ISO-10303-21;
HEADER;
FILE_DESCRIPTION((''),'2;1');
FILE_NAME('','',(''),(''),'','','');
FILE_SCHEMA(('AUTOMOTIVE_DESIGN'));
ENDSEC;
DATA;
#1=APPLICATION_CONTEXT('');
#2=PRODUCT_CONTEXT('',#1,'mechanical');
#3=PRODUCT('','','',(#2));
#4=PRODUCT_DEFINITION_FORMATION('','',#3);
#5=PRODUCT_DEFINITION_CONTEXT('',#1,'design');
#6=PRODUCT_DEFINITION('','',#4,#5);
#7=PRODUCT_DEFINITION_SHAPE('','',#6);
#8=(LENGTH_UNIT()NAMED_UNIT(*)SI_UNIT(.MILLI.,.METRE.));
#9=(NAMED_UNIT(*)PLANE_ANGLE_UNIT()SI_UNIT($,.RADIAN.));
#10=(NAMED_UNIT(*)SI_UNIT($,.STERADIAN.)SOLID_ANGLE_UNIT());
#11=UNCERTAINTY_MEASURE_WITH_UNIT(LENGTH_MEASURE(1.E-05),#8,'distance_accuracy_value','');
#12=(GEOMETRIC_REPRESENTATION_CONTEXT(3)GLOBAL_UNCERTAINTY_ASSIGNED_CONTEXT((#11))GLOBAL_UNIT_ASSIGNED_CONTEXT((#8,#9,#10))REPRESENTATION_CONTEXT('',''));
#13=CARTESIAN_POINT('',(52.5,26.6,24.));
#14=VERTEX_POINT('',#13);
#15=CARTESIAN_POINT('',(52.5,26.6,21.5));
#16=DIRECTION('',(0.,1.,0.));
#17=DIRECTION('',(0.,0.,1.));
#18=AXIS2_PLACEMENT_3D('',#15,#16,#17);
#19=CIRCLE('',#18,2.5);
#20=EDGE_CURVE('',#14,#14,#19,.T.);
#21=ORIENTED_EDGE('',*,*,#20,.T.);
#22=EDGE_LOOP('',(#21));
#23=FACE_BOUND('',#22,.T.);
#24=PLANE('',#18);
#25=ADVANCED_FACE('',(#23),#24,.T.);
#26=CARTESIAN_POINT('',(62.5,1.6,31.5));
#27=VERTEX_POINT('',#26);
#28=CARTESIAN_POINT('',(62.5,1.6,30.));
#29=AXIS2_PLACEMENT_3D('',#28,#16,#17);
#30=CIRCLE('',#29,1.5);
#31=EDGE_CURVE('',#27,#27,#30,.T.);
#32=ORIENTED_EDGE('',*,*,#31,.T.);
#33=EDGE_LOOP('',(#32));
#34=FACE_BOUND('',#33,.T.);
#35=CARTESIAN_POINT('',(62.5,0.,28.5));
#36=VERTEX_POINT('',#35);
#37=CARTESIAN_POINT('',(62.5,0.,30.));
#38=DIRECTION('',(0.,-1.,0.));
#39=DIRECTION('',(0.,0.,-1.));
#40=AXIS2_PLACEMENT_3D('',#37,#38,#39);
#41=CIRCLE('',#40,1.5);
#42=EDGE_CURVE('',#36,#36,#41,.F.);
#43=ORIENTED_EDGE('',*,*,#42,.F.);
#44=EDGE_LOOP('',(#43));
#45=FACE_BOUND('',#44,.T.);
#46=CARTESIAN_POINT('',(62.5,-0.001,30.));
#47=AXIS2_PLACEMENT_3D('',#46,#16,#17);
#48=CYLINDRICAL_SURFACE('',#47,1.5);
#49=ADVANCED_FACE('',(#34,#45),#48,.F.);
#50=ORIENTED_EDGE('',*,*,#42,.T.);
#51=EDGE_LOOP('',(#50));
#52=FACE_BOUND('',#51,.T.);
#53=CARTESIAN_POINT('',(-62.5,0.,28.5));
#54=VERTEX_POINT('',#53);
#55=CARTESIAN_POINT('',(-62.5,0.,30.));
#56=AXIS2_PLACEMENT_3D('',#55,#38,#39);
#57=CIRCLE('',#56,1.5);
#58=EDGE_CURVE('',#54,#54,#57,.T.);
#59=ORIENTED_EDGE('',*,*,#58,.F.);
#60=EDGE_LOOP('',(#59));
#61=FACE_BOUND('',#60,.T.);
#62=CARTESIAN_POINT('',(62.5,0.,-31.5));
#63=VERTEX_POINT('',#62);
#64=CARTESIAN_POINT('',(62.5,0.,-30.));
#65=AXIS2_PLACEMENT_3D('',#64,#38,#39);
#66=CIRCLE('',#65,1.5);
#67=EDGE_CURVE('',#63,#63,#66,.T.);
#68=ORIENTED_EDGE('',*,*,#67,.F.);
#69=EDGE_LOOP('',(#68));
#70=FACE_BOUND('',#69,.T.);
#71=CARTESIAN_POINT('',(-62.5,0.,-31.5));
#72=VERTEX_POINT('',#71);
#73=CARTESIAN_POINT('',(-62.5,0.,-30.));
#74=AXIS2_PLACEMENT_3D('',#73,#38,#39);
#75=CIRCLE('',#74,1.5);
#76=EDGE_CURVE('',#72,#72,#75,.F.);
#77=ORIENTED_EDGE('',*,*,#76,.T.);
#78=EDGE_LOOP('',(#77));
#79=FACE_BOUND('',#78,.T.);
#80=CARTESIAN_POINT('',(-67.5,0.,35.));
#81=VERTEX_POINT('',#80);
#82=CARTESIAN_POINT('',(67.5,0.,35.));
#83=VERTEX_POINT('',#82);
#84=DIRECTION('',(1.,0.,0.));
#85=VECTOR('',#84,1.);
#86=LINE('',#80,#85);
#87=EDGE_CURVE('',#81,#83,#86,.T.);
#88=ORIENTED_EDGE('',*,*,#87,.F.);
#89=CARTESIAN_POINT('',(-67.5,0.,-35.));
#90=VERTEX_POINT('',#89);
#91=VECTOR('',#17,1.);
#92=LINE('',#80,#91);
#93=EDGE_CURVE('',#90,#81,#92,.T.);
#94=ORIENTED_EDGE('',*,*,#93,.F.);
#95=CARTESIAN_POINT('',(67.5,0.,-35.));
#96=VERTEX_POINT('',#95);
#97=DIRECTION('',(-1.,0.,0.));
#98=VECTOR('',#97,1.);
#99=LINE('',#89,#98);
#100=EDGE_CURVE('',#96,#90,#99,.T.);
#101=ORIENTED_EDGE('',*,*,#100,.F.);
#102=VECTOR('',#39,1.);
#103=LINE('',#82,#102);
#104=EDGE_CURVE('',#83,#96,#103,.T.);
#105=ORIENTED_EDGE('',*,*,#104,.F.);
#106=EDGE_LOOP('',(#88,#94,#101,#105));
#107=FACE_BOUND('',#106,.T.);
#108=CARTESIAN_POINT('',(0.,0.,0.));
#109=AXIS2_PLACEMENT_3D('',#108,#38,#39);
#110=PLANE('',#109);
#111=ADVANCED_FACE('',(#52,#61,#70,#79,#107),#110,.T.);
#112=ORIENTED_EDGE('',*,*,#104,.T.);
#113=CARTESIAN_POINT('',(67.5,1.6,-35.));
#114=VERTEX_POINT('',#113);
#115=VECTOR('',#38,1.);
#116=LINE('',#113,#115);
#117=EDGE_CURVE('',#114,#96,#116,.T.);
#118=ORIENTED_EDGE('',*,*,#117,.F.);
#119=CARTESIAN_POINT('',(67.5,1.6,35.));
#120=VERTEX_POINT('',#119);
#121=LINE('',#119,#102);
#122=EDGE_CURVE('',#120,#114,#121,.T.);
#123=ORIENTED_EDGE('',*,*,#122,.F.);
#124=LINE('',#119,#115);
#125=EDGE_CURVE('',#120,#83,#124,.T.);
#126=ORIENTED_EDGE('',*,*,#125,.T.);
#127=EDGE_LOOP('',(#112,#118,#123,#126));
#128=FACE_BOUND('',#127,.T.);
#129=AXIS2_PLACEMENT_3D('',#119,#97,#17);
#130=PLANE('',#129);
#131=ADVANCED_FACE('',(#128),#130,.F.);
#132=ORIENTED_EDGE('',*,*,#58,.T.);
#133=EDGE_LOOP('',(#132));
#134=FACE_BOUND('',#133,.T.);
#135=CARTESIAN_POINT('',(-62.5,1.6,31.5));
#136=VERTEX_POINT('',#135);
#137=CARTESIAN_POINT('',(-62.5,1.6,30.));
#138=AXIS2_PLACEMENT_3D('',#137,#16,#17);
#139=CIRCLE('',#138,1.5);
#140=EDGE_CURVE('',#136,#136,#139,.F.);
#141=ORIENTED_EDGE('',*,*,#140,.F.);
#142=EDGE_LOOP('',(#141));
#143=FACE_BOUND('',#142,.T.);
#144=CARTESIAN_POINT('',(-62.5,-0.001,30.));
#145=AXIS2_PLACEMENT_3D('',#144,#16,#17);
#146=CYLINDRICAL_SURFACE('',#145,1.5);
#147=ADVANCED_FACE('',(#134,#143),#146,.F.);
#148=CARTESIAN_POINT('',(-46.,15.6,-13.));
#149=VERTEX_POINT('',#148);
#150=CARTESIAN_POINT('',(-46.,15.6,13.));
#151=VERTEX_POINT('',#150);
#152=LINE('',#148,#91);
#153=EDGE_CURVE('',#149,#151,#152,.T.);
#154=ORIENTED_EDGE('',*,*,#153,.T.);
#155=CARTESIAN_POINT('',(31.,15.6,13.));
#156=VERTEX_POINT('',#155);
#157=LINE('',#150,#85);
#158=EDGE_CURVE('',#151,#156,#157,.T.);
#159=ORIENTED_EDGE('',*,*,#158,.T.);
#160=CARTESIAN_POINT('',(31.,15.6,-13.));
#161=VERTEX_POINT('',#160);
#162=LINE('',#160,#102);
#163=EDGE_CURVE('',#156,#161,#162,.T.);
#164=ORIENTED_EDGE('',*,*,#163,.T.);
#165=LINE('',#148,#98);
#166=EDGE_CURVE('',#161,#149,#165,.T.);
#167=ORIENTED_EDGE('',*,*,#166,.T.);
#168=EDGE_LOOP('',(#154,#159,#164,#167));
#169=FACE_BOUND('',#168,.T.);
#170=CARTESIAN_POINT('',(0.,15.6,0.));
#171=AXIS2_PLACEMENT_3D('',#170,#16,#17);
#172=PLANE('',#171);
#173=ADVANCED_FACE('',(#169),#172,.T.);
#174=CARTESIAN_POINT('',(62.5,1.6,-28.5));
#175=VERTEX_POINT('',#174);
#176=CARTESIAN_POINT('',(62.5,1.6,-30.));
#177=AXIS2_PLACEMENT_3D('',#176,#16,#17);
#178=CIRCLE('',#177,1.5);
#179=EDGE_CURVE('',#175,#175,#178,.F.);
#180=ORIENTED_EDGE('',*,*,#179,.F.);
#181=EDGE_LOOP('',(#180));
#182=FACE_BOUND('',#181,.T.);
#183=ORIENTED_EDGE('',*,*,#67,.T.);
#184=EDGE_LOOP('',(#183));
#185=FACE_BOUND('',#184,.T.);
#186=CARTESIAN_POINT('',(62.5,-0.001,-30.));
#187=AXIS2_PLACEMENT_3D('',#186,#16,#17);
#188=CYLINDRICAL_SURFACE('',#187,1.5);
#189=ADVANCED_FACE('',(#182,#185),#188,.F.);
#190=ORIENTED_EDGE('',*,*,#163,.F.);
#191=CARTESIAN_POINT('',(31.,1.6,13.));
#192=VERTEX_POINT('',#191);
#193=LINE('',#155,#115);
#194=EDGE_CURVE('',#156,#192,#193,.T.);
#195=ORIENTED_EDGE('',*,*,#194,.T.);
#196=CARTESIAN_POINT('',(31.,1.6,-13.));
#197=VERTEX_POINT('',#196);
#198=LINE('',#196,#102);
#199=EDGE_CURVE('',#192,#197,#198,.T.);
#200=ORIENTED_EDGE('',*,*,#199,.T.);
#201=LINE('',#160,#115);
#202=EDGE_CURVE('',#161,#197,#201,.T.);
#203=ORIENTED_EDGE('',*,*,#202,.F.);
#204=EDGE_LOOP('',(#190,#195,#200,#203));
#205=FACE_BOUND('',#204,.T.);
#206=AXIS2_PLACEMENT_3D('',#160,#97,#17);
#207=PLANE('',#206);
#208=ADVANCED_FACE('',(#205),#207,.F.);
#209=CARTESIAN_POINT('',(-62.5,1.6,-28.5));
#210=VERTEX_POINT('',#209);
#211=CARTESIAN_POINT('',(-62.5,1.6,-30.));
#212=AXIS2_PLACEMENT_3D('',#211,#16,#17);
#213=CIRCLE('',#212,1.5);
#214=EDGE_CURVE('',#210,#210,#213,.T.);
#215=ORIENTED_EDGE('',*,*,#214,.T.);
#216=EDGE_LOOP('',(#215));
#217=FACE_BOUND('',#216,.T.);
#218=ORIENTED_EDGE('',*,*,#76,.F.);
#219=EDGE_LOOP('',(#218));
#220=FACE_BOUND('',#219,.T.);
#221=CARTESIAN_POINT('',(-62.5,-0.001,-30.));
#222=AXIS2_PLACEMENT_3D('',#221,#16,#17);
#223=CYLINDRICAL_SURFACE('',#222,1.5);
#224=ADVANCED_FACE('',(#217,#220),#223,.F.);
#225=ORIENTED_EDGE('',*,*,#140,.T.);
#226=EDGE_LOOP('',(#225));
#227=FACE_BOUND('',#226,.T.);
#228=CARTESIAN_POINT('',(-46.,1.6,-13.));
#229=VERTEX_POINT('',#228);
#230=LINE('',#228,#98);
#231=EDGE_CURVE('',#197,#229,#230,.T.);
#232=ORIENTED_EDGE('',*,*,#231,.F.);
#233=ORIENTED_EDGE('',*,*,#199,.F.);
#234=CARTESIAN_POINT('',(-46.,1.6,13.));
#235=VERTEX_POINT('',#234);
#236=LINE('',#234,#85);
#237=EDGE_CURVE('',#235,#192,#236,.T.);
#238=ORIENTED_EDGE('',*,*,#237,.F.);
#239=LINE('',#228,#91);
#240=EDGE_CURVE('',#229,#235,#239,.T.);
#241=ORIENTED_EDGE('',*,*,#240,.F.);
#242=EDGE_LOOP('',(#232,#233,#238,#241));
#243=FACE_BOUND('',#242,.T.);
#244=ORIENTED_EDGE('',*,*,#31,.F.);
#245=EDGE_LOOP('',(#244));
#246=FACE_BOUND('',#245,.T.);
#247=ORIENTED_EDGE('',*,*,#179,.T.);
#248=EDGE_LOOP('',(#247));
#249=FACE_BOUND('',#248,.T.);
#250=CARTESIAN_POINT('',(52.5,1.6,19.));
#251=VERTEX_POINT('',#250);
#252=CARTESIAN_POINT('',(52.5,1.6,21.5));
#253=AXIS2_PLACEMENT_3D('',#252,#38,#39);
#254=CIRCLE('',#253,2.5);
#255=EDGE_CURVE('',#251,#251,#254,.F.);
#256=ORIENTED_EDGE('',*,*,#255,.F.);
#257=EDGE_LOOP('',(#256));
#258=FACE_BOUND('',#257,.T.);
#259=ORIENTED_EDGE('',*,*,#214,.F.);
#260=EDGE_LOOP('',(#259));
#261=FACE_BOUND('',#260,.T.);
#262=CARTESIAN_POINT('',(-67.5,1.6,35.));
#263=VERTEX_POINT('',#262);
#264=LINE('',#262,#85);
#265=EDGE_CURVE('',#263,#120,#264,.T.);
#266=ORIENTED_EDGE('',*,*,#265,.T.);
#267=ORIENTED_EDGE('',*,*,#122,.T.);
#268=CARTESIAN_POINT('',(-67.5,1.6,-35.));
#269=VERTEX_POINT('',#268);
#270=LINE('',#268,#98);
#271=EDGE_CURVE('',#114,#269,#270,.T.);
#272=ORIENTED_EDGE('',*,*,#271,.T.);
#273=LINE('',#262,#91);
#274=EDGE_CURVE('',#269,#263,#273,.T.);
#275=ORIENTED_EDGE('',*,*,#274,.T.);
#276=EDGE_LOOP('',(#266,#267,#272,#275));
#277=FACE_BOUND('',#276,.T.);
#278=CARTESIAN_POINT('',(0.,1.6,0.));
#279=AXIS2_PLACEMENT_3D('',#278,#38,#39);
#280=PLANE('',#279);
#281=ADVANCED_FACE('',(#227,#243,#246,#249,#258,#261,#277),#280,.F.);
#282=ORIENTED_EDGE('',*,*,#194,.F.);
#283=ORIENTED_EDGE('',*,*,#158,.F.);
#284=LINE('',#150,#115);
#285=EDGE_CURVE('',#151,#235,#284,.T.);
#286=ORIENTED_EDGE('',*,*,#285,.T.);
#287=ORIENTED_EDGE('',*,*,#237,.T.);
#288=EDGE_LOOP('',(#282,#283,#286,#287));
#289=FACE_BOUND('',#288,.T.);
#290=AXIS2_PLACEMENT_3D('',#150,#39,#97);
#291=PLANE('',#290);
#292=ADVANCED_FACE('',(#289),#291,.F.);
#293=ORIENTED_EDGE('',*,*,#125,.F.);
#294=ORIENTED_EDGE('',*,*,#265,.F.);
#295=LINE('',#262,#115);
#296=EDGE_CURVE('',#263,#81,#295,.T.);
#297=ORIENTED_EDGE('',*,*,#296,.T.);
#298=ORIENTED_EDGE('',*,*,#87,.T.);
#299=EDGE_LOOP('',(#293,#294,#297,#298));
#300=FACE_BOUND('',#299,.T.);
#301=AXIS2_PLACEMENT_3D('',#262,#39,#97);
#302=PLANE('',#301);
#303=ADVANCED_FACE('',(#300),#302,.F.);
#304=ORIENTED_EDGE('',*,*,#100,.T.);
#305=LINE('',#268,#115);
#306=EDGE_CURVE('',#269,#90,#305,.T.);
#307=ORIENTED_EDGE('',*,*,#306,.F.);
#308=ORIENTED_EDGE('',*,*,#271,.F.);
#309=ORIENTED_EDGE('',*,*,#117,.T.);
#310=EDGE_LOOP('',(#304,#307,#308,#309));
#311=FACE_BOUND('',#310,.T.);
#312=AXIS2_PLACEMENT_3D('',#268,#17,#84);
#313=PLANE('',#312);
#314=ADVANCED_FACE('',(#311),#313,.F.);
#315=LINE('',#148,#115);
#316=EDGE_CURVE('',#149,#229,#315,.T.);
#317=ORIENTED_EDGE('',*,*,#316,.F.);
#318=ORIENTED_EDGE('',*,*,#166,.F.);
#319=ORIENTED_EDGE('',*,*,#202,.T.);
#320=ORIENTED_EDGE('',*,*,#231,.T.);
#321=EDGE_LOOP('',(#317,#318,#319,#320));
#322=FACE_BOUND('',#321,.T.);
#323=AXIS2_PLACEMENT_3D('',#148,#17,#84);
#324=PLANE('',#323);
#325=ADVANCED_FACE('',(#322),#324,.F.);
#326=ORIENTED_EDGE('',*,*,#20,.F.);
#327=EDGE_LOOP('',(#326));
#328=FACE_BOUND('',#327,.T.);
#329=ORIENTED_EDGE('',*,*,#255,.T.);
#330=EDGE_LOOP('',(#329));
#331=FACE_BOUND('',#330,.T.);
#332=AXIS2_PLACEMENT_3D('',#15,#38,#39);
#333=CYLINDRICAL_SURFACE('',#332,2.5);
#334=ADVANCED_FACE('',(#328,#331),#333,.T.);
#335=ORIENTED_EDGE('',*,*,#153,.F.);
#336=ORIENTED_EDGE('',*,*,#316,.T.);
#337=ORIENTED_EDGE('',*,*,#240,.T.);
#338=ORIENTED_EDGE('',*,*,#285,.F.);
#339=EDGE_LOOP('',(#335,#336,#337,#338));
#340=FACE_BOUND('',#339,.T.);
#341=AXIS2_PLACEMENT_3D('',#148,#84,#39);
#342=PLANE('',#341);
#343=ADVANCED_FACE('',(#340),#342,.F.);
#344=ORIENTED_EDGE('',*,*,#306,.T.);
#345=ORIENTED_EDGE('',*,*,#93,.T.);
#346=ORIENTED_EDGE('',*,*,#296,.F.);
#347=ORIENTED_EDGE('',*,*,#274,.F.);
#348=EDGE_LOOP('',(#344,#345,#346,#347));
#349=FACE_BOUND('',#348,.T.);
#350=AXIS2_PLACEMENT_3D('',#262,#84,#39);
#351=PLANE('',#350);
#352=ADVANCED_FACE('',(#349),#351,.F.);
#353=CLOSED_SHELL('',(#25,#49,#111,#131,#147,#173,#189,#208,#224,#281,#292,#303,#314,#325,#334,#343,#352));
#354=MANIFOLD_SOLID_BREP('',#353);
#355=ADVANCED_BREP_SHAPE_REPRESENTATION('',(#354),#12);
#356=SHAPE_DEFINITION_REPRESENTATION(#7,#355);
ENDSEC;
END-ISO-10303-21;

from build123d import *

# Parameters (mm, degrees)
SKETCH1_W           = 135
SKETCH1_H           = 70
BOSS_EXTRUDE1_DEPTH = 1.6
CUT_EXTRUDE1_REACH  = 78.051
SKETCH2_R           = 1.5
SKETCH3_R           = 2.5
BOSS_EXTRUDE2_DEPTH = 25
SKETCH4_W           = 77
SKETCH4_H           = 26
BOSS_EXTRUDE3_DEPTH = 14


with BuildPart() as part:
    # Sketch1 → Boss-Extrude1 (new body)
    with BuildSketch(Plane(origin=(0, 0, 0), x_dir=(1, 0, 0), z_dir=(0, 1, 0))):
        Rectangle(SKETCH1_W, SKETCH1_H)
    extrude(amount=BOSS_EXTRUDE1_DEPTH)

    # Sketch2 → Cut-Extrude1 (cut, up to next)
    with BuildSketch(Plane(origin=(0, 1.6, 0), x_dir=(1, 0, 0), z_dir=(0, 1, 0)), mode=Mode.PRIVATE) as cut_extrude1_sk1:
        with Locations(Location((62.5, 30, 0), (0, 0, 270))):
            Circle(SKETCH2_R)
    cut_extrude1_tool1 = extrude(cut_extrude1_sk1.sketch, amount=-CUT_EXTRUDE1_REACH, mode=Mode.PRIVATE) & part.part
    # Sketch2 → Cut-Extrude1 (cut, up to next)
    with BuildSketch(Plane(origin=(0, 1.6, 0), x_dir=(1, 0, 0), z_dir=(0, 1, 0)), mode=Mode.PRIVATE) as cut_extrude1_sk2:
        with Locations(Location((-62.5, 30, 0), (0, 0, 270))):
            Circle(SKETCH2_R)
    cut_extrude1_tool2 = extrude(cut_extrude1_sk2.sketch, amount=-CUT_EXTRUDE1_REACH, mode=Mode.PRIVATE) & part.part
    # Sketch2 → Cut-Extrude1 (cut, up to next)
    with BuildSketch(Plane(origin=(0, 1.6, 0), x_dir=(1, 0, 0), z_dir=(0, 1, 0)), mode=Mode.PRIVATE) as cut_extrude1_sk3:
        with Locations(Location((-62.5, -30, 0), (0, 0, 270))):
            Circle(SKETCH2_R)
    cut_extrude1_tool3 = extrude(cut_extrude1_sk3.sketch, amount=-CUT_EXTRUDE1_REACH, mode=Mode.PRIVATE) & part.part
    # Sketch2 → Cut-Extrude1 (cut, up to next)
    with BuildSketch(Plane(origin=(0, 1.6, 0), x_dir=(1, 0, 0), z_dir=(0, 1, 0)), mode=Mode.PRIVATE) as cut_extrude1_sk4:
        with Locations(Location((62.5, -30, 0), (0, 0, 270))):
            Circle(SKETCH2_R)
    cut_extrude1_tool4 = extrude(cut_extrude1_sk4.sketch, amount=-CUT_EXTRUDE1_REACH, mode=Mode.PRIVATE) & part.part
    add(cut_extrude1_tool1.solids().sort_by_distance((62.5, 1.6, -30))[0], mode=Mode.SUBTRACT)
    add(cut_extrude1_tool2.solids().sort_by_distance((-62.5, 1.6, -30))[0], mode=Mode.SUBTRACT)
    add(cut_extrude1_tool3.solids().sort_by_distance((-62.5, 1.6, 30))[0], mode=Mode.SUBTRACT)
    add(cut_extrude1_tool4.solids().sort_by_distance((62.5, 1.6, 30))[0], mode=Mode.SUBTRACT)

    # Sketch3 → Boss-Extrude2 (add)
    with BuildSketch(Plane(origin=(0, 1.6, 0), x_dir=(1, 0, 0), z_dir=(0, 1, 0))):
        with Locations(Location((52.5, -21.5, 0), (0, 0, 90))):
            Circle(SKETCH3_R)
    extrude(amount=BOSS_EXTRUDE2_DEPTH)

    # Sketch4 → Boss-Extrude3 (add)
    with BuildSketch(Plane(origin=(0, 1.6, 0), x_dir=(1, 0, 0), z_dir=(0, 1, 0))):
        with Locations((-7.5, 0)):
            Rectangle(SKETCH4_W, SKETCH4_H)
    extrude(amount=BOSS_EXTRUDE3_DEPTH)


solid = part.part
